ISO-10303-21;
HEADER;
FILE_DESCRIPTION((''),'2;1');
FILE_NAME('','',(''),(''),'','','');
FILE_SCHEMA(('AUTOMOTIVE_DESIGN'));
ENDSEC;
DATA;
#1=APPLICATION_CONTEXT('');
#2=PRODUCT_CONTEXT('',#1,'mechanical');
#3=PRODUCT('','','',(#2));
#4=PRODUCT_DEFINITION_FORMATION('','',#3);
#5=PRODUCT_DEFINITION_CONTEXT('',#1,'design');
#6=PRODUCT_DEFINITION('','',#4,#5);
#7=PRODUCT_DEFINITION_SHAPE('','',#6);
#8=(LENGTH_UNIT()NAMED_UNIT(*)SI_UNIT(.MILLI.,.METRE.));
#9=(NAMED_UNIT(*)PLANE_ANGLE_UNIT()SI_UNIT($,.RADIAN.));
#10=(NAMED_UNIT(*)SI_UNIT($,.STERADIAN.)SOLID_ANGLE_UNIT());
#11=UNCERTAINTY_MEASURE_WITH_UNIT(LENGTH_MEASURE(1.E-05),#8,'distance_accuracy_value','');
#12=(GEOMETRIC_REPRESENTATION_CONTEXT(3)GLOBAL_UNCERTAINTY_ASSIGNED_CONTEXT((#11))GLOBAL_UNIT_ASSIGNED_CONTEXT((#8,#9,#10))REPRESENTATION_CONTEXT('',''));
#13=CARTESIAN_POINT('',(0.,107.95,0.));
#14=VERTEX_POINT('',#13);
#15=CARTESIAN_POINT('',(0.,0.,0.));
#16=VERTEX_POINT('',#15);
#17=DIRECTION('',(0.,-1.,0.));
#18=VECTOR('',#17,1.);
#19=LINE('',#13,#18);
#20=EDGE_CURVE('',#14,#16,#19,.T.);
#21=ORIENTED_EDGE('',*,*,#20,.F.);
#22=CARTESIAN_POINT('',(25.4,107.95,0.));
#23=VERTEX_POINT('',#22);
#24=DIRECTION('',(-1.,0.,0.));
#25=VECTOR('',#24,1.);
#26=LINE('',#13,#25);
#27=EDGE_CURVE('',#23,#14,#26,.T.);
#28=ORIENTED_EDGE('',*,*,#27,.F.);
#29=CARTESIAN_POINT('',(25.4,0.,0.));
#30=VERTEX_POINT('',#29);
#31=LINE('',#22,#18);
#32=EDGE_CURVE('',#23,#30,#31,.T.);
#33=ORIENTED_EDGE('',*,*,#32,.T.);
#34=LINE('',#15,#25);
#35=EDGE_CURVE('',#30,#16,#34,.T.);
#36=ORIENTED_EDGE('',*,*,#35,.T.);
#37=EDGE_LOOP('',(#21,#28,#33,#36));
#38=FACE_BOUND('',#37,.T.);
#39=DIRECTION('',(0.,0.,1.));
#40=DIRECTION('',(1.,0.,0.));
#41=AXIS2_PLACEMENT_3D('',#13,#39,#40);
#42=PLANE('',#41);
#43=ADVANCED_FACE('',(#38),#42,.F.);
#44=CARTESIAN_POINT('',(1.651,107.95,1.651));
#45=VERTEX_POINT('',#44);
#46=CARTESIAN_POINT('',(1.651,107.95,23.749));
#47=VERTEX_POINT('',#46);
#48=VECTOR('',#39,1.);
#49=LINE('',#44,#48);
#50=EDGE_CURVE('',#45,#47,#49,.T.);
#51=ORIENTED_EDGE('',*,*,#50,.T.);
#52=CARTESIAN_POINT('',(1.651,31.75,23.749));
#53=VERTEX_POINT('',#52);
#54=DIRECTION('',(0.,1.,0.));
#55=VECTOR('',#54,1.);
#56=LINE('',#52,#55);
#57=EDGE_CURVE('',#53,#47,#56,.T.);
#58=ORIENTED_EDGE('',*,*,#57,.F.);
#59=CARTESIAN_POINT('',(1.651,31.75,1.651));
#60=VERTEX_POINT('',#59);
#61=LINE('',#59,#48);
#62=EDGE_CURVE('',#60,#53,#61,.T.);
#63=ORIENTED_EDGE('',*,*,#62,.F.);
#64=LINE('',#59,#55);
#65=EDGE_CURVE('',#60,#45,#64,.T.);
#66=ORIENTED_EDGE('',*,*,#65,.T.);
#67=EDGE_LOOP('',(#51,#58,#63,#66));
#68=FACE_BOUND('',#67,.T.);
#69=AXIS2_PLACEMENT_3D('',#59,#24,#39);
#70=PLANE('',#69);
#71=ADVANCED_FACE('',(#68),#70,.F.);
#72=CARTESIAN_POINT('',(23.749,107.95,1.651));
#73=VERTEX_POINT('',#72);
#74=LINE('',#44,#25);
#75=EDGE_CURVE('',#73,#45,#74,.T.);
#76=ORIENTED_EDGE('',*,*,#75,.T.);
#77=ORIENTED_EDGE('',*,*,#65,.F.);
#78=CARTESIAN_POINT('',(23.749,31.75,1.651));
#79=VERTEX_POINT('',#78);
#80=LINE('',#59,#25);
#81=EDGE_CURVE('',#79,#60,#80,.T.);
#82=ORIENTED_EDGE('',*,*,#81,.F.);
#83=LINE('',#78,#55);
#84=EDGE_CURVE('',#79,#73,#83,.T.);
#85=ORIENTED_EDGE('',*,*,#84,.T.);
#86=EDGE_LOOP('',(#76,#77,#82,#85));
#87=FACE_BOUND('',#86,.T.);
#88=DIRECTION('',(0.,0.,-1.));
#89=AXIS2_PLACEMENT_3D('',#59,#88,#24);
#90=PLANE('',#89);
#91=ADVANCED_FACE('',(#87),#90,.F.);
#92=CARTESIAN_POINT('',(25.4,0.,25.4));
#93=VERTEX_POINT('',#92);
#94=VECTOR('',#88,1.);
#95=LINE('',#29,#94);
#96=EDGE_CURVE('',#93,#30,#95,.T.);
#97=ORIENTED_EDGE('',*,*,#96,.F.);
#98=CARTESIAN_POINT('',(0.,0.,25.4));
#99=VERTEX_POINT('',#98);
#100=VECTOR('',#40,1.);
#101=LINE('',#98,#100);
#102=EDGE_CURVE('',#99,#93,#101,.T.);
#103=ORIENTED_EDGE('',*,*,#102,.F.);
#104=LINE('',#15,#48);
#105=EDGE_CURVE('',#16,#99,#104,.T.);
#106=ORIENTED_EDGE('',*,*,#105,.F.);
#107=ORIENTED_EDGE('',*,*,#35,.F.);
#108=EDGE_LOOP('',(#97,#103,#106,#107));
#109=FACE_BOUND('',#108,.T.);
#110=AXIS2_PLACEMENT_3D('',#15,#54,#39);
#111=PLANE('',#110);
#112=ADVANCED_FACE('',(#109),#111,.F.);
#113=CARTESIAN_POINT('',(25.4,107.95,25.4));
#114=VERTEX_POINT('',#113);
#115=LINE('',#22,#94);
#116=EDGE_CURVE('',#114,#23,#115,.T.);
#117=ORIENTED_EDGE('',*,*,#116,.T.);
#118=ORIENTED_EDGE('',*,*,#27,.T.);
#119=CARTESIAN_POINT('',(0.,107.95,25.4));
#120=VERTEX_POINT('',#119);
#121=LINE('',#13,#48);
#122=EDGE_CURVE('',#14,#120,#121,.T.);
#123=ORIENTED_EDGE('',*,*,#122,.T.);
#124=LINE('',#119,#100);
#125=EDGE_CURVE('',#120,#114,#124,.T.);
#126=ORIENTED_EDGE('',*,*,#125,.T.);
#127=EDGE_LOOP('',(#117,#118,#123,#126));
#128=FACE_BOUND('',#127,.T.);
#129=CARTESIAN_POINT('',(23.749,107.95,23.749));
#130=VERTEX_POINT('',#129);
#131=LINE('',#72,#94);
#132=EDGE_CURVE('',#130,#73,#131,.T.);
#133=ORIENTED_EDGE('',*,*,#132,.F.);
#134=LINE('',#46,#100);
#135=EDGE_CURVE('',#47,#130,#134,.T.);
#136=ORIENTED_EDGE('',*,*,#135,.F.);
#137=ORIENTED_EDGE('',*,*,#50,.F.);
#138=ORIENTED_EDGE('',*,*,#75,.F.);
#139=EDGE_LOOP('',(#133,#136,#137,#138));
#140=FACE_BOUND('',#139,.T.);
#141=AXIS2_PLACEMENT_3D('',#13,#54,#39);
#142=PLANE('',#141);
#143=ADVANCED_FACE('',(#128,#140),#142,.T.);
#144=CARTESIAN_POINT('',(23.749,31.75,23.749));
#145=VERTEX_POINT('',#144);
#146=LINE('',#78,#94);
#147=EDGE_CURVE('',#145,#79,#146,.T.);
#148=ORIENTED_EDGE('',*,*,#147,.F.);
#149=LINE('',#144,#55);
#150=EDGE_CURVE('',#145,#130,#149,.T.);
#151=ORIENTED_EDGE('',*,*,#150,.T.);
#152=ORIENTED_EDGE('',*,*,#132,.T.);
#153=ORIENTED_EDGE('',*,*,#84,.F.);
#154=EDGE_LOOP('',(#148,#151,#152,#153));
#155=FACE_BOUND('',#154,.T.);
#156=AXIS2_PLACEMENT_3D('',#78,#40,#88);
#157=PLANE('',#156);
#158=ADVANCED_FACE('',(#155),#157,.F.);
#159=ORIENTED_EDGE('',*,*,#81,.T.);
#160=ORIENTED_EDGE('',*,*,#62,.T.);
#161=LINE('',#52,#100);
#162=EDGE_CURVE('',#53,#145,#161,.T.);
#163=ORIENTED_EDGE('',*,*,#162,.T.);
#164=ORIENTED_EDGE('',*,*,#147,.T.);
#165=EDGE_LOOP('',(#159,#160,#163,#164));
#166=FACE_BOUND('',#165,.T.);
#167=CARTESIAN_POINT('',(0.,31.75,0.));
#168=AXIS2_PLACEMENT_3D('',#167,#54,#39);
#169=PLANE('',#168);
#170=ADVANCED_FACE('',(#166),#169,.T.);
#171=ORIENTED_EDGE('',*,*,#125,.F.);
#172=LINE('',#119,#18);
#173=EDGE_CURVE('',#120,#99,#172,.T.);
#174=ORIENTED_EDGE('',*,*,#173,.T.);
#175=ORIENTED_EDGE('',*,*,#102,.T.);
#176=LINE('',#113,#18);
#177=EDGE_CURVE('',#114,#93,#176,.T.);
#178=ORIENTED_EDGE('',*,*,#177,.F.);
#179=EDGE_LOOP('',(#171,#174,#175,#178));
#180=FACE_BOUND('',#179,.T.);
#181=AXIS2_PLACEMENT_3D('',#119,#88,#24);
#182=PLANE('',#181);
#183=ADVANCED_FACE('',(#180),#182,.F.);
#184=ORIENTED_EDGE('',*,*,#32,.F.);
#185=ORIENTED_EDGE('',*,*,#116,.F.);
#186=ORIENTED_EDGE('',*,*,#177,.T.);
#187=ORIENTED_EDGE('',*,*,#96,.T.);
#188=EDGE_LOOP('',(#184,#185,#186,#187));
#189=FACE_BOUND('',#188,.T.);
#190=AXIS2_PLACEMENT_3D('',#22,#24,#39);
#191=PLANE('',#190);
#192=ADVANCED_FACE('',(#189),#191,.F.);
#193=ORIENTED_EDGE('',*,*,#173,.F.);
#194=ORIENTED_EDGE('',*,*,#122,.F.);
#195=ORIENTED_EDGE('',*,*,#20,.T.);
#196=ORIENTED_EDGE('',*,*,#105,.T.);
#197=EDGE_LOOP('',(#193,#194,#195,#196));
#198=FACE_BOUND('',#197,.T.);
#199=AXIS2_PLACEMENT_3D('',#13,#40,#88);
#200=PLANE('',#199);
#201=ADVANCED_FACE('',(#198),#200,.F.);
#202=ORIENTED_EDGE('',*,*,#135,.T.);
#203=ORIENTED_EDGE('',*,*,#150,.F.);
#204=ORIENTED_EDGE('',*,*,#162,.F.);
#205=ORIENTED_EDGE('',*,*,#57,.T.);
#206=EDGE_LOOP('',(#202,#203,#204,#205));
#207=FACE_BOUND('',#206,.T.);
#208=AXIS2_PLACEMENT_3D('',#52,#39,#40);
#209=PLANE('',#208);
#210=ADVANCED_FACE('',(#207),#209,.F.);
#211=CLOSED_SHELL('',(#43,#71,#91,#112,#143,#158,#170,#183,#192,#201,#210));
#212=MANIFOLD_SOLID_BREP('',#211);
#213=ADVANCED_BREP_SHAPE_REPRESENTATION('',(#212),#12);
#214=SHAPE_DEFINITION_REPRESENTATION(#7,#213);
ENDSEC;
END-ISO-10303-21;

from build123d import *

# Parameters (mm, degrees)
SKETCH1_W           = 25.4
SKETCH1_H           = 25.4
BOSS_EXTRUDE1_DEPTH = 107.95
SKETCH2_W           = 22.098
SKETCH2_H           = 22.098
CUT_EXTRUDE1_DEPTH  = 76.2


with BuildPart() as part:
    # Sketch1 → Boss-Extrude1 (new body)
    with BuildSketch(Plane(origin=(0, 0, 0), x_dir=(1, 0, 0), z_dir=(0, 1, 0))):
        with Locations((12.7, -12.7)):
            Rectangle(SKETCH1_W, SKETCH1_H)
    extrude(amount=BOSS_EXTRUDE1_DEPTH)

    # Sketch2 → Cut-Extrude1 (cut)
    with BuildSketch(Plane(origin=(0, 107.95, 0), x_dir=(1, 0, 0), z_dir=(0, 1, 0))):
        with Locations((12.7, -12.7)):
            Rectangle(SKETCH2_W, SKETCH2_H)
    extrude(amount=-CUT_EXTRUDE1_DEPTH, mode=Mode.SUBTRACT)


solid = part.part
